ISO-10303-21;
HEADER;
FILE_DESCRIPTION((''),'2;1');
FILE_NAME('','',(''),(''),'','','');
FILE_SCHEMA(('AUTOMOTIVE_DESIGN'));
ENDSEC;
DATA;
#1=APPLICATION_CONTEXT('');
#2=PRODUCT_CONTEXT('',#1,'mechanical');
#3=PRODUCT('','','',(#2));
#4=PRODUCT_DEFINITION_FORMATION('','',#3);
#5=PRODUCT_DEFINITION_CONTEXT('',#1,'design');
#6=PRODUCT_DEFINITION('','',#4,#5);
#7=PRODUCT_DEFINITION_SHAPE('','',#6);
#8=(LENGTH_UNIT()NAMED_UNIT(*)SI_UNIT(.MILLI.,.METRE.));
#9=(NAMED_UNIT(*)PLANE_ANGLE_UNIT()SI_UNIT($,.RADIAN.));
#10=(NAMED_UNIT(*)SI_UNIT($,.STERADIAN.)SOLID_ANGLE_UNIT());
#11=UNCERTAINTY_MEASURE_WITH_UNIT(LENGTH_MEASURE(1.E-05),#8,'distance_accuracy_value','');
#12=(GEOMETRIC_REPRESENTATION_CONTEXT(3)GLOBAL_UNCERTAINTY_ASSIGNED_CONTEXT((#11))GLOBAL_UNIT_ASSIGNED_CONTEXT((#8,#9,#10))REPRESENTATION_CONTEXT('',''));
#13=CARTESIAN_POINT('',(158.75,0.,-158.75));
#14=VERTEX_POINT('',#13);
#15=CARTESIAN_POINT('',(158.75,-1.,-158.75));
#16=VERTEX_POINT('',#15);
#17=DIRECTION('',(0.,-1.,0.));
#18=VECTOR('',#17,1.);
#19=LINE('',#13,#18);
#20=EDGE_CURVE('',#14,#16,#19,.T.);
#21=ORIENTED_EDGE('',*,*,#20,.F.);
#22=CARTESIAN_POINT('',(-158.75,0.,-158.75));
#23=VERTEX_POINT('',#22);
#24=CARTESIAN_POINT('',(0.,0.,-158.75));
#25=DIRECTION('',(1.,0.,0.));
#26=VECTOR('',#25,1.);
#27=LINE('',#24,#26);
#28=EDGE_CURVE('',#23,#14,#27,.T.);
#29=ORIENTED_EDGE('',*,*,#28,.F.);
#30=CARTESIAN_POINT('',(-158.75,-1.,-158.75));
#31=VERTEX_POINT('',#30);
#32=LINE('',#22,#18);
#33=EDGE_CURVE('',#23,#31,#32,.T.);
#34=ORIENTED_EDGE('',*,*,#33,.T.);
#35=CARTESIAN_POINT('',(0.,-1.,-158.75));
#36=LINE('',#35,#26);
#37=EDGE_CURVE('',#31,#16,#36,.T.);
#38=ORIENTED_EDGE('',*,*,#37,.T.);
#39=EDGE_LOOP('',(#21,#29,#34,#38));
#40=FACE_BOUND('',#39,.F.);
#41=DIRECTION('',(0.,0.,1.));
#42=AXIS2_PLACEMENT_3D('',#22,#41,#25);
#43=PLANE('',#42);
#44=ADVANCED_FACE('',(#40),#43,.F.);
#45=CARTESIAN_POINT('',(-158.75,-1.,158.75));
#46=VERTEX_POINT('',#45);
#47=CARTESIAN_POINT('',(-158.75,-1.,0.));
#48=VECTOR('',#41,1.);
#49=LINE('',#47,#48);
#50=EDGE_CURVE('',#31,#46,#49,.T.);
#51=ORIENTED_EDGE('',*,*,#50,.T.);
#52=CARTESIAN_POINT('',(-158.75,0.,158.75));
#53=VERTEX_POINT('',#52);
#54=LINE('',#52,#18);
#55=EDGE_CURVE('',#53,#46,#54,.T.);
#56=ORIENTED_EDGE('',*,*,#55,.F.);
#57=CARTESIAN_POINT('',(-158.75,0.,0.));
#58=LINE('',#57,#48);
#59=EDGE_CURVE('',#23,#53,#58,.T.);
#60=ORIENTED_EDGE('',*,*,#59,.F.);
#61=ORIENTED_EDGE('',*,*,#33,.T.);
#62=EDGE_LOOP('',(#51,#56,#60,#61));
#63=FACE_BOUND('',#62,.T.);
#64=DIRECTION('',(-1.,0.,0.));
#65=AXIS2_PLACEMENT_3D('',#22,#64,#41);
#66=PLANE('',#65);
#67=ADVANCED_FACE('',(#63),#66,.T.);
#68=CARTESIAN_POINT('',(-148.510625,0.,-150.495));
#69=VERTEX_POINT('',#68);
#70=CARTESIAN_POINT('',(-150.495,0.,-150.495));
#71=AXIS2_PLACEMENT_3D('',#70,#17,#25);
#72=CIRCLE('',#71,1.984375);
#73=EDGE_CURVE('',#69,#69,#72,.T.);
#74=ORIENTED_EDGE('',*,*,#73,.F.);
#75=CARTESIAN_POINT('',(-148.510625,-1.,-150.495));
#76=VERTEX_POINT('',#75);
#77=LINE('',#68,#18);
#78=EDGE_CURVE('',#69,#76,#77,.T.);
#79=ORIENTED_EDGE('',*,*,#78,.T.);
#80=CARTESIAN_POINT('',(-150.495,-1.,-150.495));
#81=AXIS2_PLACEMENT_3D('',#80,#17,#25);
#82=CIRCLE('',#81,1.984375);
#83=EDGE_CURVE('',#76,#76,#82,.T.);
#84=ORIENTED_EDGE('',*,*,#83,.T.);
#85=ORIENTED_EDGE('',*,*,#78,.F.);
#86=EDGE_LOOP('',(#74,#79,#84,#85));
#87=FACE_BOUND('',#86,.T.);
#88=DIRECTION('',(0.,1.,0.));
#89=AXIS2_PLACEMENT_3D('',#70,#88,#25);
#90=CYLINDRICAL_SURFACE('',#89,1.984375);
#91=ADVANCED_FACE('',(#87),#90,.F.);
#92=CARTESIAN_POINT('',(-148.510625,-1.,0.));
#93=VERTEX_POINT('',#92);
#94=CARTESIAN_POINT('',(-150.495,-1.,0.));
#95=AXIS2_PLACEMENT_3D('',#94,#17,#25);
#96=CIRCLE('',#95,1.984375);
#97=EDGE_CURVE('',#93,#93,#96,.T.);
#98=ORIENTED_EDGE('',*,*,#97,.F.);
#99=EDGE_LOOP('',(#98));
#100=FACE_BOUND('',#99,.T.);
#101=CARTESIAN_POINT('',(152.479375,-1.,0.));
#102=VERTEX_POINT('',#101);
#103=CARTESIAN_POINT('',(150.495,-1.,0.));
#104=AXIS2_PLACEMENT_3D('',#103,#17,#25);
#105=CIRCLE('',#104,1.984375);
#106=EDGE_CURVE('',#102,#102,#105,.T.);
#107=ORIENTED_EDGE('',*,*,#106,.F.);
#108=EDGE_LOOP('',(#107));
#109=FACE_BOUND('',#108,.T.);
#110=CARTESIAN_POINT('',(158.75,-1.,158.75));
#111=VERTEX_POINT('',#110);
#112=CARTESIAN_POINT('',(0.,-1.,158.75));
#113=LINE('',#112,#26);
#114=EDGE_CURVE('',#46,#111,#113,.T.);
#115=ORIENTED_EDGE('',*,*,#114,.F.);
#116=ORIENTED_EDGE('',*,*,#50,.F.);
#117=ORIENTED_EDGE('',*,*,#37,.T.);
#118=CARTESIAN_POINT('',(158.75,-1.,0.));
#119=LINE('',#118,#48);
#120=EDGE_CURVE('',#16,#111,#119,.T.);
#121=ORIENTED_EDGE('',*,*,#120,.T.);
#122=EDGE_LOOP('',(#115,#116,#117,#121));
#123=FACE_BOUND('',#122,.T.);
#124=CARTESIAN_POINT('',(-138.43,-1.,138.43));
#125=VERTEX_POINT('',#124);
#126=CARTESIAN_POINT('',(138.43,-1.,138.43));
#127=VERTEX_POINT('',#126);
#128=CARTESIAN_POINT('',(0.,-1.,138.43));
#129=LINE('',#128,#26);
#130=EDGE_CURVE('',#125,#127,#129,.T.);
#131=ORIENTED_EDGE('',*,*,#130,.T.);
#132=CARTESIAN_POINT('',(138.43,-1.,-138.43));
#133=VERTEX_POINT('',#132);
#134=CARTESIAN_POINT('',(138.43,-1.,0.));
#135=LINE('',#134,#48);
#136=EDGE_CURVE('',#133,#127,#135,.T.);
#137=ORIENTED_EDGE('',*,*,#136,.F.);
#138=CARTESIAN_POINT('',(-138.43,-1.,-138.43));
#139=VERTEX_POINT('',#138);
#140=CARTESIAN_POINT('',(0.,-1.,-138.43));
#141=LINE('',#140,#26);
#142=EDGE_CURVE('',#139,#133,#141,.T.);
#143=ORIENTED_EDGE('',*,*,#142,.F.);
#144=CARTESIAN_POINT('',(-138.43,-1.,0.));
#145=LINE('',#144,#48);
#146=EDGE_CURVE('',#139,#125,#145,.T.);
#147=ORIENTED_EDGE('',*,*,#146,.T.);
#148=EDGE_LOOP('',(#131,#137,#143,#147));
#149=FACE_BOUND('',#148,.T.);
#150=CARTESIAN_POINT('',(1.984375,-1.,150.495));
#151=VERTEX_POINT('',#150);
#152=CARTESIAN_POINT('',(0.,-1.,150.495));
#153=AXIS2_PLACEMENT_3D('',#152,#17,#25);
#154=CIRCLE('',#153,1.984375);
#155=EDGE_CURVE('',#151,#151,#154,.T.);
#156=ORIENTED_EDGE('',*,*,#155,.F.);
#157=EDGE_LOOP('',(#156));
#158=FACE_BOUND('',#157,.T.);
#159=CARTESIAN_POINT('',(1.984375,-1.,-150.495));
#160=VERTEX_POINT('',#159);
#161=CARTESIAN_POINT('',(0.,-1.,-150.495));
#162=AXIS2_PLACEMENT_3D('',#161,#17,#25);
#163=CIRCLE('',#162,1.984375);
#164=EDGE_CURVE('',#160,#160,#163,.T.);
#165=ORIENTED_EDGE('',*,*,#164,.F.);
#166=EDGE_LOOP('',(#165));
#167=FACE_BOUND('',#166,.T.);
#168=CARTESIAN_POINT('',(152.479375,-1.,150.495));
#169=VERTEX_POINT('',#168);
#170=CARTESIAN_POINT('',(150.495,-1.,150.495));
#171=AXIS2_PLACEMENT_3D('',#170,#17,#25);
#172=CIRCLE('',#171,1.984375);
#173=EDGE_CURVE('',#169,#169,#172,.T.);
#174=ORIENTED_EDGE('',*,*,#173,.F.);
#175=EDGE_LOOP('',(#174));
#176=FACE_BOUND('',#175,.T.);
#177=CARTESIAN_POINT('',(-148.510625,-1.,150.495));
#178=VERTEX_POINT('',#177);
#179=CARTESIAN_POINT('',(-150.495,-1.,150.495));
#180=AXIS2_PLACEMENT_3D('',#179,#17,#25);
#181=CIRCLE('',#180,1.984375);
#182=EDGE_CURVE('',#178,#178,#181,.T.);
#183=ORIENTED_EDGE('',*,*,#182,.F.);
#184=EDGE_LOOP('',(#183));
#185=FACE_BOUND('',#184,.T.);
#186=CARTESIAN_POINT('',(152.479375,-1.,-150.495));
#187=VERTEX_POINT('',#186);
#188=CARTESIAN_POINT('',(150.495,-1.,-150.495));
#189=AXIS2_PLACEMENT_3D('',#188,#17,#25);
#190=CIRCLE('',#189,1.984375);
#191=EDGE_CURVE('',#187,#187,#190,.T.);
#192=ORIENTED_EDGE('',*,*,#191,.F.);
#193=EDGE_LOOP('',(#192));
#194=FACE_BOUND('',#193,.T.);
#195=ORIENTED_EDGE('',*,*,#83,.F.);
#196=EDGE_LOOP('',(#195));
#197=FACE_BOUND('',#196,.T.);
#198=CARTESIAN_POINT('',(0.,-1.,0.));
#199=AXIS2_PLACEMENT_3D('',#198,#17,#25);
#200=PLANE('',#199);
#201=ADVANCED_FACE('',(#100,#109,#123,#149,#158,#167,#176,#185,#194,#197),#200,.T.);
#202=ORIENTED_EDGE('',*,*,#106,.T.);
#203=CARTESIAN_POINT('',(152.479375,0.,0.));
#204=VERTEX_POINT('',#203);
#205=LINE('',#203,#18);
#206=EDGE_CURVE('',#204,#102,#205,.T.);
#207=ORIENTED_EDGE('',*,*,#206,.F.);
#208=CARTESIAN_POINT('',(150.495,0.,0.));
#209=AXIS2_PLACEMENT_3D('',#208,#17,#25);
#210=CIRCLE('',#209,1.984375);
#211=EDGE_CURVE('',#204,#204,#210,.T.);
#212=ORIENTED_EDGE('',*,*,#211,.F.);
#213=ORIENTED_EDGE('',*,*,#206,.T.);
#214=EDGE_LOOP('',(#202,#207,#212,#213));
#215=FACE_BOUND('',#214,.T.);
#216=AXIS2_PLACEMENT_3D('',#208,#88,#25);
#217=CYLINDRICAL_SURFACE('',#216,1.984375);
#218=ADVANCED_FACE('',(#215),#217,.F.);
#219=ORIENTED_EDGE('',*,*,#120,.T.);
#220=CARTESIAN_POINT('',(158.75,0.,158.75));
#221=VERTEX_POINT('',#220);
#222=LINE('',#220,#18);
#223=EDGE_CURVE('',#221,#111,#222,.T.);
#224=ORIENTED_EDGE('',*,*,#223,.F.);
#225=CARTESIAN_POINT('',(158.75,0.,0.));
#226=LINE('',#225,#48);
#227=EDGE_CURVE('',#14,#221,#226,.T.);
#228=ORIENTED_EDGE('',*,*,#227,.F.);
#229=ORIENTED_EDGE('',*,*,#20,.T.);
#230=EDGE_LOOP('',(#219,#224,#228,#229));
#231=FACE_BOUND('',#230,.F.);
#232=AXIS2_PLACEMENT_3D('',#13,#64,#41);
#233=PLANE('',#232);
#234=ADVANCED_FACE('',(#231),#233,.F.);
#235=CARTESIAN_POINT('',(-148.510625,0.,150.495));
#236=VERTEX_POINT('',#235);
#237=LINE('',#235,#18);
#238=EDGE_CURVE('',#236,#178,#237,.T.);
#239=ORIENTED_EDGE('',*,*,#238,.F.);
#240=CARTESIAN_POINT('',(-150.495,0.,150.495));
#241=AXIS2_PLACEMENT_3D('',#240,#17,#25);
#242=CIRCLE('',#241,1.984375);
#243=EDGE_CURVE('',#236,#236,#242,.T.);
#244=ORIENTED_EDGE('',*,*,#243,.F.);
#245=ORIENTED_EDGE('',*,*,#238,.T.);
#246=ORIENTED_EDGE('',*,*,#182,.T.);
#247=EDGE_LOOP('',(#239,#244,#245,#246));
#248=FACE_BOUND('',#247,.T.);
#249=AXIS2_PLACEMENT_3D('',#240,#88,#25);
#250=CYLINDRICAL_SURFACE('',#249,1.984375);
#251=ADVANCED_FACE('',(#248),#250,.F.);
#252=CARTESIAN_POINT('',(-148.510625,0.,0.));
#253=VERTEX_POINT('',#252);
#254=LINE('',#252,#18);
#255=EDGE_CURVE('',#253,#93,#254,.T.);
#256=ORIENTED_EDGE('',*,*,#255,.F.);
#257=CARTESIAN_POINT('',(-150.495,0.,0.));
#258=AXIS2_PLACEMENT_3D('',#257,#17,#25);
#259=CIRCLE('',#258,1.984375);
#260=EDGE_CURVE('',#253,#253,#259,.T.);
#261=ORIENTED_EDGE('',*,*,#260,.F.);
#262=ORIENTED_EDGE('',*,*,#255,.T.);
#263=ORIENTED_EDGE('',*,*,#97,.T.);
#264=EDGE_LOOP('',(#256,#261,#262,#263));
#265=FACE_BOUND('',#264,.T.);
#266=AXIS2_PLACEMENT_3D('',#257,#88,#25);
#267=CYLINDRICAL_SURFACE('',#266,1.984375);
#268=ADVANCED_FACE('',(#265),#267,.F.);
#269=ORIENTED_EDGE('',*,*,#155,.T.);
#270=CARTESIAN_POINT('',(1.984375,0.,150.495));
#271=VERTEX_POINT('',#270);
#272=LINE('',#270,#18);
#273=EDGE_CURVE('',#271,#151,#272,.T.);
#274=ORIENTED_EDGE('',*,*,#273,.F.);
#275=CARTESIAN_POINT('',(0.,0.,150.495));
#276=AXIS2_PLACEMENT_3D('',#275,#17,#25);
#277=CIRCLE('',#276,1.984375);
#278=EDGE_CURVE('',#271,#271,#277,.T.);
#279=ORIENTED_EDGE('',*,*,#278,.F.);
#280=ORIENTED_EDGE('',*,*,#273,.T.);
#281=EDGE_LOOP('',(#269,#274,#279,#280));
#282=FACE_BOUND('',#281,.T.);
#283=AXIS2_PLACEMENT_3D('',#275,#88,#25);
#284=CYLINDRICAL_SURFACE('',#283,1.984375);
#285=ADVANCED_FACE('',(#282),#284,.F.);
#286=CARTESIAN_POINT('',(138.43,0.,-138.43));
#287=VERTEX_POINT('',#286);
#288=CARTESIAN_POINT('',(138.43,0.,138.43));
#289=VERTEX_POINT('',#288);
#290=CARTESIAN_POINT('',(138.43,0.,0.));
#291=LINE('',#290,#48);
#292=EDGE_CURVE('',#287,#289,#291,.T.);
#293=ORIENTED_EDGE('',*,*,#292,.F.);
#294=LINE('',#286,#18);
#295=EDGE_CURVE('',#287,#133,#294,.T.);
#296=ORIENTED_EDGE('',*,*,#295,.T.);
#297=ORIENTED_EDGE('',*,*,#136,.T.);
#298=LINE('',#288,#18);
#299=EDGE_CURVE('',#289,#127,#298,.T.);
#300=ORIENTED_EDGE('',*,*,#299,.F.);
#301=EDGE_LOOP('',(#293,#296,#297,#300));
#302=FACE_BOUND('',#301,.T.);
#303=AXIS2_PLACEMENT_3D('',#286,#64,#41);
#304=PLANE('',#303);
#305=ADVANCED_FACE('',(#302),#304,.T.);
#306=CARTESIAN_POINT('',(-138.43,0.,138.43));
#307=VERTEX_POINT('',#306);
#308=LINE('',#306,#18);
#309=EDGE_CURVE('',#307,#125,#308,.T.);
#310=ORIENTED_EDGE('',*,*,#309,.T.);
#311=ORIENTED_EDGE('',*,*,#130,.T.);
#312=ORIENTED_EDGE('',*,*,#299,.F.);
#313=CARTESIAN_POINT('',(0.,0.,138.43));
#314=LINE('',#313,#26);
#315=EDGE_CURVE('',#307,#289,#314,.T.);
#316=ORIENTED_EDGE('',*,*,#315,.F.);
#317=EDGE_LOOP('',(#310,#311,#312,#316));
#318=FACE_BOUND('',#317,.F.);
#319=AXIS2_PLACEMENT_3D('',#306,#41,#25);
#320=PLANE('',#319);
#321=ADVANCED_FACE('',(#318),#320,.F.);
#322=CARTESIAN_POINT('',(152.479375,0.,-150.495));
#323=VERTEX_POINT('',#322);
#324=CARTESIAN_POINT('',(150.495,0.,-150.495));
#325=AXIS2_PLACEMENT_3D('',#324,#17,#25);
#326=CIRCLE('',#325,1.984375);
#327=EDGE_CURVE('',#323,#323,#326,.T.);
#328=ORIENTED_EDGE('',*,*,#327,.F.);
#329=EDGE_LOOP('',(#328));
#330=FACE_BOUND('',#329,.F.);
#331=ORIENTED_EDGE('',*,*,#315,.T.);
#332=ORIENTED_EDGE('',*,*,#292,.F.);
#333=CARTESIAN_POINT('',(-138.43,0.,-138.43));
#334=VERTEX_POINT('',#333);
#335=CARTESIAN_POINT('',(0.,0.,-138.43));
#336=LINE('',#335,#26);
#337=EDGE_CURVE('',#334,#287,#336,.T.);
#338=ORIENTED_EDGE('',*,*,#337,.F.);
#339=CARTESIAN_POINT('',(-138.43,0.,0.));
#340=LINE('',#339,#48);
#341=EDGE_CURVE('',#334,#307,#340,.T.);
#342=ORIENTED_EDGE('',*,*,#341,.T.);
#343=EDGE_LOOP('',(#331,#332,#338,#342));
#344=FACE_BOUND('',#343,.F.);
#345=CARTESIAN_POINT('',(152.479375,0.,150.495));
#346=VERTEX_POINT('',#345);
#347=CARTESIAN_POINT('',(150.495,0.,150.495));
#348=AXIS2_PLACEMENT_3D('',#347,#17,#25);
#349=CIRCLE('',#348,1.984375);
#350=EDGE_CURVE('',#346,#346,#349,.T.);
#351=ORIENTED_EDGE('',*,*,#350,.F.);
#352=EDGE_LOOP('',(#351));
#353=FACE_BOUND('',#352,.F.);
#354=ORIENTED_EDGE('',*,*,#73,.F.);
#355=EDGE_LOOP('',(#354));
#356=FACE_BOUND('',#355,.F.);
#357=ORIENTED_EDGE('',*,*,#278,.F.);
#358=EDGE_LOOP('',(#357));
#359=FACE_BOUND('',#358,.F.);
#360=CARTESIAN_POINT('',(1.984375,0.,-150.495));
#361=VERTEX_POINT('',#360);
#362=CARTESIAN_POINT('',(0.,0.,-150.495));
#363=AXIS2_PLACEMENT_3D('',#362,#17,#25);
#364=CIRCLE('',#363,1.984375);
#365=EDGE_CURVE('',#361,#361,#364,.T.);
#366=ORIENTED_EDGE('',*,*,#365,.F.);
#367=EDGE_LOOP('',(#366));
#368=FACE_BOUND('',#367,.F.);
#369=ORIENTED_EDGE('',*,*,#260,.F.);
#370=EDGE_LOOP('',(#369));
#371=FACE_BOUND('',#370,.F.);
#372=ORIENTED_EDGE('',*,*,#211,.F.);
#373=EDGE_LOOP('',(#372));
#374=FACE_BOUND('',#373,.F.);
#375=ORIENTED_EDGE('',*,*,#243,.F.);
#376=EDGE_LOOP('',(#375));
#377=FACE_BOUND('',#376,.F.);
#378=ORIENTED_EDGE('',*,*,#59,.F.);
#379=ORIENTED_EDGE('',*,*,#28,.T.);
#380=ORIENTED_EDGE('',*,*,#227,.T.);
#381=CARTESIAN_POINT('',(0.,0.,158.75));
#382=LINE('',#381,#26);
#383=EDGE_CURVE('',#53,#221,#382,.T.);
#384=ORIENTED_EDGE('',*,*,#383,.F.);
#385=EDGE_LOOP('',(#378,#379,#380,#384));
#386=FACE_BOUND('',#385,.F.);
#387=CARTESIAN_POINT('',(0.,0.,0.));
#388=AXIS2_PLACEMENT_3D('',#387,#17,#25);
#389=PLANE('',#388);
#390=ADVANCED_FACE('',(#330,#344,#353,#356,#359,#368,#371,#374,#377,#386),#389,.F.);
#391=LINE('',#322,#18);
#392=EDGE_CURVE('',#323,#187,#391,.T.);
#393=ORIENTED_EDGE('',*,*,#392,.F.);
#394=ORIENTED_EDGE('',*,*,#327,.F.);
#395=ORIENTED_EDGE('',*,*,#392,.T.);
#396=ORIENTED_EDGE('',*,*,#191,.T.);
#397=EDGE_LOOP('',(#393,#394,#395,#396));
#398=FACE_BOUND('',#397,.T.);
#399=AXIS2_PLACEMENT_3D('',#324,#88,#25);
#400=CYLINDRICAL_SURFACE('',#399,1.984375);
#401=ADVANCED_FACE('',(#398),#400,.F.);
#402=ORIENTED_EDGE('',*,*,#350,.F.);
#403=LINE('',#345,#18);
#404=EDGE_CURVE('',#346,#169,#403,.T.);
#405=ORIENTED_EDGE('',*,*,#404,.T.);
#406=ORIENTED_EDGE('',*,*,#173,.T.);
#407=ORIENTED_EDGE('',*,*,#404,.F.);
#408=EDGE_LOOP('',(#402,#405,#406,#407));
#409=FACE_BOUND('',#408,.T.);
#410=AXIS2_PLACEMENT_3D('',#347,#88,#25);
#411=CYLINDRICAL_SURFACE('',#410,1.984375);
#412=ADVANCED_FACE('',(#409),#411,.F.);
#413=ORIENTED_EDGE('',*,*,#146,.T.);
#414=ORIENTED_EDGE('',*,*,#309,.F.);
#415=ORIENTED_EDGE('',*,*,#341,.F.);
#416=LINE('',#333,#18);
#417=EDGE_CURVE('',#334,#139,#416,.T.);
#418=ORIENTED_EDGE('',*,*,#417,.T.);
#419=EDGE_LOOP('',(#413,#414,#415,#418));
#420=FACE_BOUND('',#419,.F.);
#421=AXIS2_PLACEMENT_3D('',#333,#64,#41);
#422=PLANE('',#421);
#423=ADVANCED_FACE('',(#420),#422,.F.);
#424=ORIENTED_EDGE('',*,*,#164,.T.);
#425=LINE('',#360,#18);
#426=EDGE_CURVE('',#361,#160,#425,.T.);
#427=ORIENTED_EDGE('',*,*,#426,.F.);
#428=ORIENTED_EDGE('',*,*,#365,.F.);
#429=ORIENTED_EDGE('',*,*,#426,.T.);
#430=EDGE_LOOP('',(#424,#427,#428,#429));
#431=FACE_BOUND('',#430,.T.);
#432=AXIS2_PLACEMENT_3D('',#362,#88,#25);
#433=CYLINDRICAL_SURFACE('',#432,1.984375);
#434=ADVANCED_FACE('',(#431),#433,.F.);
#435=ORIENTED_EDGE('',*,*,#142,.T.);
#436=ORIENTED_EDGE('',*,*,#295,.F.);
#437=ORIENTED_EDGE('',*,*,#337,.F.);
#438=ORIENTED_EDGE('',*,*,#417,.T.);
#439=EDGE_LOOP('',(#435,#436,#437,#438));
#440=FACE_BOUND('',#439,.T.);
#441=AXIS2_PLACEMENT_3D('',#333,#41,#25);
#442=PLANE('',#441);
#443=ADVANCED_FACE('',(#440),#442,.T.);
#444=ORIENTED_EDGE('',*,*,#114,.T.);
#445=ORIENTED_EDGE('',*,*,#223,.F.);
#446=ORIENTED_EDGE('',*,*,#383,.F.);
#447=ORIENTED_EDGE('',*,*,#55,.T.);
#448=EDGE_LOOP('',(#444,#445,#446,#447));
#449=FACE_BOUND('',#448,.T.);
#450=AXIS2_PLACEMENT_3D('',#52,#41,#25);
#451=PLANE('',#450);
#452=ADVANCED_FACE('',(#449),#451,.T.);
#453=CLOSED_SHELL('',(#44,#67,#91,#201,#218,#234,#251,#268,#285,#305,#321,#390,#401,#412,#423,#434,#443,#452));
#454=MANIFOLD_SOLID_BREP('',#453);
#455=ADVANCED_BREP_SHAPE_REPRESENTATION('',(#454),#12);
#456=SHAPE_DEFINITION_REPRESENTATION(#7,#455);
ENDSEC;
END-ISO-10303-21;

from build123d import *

# Parameters (mm, degrees)
F0_W     = 317.5
F0_H     = 317.5
F0_R     = 1.984375
F0_W_2   = 276.86
F0_H_2   = 276.86
F1_DEPTH = 1


with BuildPart() as f1:
    # F0 (on Front) → F1 (new body)
    with BuildSketch(Plane.XZ):
        Rectangle(F0_W, F0_H)
        with Locations((-150.495, -150.495)):
            Circle(F0_R, mode=Mode.SUBTRACT)
        with Locations((0, -150.495)):
            Circle(F0_R, mode=Mode.SUBTRACT)
        with Locations((150.495, -150.495)):
            Circle(F0_R, mode=Mode.SUBTRACT)
        with Locations((-150.495, 0)):
            Circle(F0_R, mode=Mode.SUBTRACT)
        with Locations((-150.495, 150.495)):
            Circle(F0_R, mode=Mode.SUBTRACT)
        Rectangle(F0_W_2, F0_H_2, mode=Mode.SUBTRACT)
        with Locations((150.495, 0)):
            Circle(F0_R, mode=Mode.SUBTRACT)
        with Locations((0, 150.495)):
            Circle(F0_R, mode=Mode.SUBTRACT)
        with Locations((150.495, 150.495)):
            Circle(F0_R, mode=Mode.SUBTRACT)
    extrude(amount=F1_DEPTH)


solid = f1.part
